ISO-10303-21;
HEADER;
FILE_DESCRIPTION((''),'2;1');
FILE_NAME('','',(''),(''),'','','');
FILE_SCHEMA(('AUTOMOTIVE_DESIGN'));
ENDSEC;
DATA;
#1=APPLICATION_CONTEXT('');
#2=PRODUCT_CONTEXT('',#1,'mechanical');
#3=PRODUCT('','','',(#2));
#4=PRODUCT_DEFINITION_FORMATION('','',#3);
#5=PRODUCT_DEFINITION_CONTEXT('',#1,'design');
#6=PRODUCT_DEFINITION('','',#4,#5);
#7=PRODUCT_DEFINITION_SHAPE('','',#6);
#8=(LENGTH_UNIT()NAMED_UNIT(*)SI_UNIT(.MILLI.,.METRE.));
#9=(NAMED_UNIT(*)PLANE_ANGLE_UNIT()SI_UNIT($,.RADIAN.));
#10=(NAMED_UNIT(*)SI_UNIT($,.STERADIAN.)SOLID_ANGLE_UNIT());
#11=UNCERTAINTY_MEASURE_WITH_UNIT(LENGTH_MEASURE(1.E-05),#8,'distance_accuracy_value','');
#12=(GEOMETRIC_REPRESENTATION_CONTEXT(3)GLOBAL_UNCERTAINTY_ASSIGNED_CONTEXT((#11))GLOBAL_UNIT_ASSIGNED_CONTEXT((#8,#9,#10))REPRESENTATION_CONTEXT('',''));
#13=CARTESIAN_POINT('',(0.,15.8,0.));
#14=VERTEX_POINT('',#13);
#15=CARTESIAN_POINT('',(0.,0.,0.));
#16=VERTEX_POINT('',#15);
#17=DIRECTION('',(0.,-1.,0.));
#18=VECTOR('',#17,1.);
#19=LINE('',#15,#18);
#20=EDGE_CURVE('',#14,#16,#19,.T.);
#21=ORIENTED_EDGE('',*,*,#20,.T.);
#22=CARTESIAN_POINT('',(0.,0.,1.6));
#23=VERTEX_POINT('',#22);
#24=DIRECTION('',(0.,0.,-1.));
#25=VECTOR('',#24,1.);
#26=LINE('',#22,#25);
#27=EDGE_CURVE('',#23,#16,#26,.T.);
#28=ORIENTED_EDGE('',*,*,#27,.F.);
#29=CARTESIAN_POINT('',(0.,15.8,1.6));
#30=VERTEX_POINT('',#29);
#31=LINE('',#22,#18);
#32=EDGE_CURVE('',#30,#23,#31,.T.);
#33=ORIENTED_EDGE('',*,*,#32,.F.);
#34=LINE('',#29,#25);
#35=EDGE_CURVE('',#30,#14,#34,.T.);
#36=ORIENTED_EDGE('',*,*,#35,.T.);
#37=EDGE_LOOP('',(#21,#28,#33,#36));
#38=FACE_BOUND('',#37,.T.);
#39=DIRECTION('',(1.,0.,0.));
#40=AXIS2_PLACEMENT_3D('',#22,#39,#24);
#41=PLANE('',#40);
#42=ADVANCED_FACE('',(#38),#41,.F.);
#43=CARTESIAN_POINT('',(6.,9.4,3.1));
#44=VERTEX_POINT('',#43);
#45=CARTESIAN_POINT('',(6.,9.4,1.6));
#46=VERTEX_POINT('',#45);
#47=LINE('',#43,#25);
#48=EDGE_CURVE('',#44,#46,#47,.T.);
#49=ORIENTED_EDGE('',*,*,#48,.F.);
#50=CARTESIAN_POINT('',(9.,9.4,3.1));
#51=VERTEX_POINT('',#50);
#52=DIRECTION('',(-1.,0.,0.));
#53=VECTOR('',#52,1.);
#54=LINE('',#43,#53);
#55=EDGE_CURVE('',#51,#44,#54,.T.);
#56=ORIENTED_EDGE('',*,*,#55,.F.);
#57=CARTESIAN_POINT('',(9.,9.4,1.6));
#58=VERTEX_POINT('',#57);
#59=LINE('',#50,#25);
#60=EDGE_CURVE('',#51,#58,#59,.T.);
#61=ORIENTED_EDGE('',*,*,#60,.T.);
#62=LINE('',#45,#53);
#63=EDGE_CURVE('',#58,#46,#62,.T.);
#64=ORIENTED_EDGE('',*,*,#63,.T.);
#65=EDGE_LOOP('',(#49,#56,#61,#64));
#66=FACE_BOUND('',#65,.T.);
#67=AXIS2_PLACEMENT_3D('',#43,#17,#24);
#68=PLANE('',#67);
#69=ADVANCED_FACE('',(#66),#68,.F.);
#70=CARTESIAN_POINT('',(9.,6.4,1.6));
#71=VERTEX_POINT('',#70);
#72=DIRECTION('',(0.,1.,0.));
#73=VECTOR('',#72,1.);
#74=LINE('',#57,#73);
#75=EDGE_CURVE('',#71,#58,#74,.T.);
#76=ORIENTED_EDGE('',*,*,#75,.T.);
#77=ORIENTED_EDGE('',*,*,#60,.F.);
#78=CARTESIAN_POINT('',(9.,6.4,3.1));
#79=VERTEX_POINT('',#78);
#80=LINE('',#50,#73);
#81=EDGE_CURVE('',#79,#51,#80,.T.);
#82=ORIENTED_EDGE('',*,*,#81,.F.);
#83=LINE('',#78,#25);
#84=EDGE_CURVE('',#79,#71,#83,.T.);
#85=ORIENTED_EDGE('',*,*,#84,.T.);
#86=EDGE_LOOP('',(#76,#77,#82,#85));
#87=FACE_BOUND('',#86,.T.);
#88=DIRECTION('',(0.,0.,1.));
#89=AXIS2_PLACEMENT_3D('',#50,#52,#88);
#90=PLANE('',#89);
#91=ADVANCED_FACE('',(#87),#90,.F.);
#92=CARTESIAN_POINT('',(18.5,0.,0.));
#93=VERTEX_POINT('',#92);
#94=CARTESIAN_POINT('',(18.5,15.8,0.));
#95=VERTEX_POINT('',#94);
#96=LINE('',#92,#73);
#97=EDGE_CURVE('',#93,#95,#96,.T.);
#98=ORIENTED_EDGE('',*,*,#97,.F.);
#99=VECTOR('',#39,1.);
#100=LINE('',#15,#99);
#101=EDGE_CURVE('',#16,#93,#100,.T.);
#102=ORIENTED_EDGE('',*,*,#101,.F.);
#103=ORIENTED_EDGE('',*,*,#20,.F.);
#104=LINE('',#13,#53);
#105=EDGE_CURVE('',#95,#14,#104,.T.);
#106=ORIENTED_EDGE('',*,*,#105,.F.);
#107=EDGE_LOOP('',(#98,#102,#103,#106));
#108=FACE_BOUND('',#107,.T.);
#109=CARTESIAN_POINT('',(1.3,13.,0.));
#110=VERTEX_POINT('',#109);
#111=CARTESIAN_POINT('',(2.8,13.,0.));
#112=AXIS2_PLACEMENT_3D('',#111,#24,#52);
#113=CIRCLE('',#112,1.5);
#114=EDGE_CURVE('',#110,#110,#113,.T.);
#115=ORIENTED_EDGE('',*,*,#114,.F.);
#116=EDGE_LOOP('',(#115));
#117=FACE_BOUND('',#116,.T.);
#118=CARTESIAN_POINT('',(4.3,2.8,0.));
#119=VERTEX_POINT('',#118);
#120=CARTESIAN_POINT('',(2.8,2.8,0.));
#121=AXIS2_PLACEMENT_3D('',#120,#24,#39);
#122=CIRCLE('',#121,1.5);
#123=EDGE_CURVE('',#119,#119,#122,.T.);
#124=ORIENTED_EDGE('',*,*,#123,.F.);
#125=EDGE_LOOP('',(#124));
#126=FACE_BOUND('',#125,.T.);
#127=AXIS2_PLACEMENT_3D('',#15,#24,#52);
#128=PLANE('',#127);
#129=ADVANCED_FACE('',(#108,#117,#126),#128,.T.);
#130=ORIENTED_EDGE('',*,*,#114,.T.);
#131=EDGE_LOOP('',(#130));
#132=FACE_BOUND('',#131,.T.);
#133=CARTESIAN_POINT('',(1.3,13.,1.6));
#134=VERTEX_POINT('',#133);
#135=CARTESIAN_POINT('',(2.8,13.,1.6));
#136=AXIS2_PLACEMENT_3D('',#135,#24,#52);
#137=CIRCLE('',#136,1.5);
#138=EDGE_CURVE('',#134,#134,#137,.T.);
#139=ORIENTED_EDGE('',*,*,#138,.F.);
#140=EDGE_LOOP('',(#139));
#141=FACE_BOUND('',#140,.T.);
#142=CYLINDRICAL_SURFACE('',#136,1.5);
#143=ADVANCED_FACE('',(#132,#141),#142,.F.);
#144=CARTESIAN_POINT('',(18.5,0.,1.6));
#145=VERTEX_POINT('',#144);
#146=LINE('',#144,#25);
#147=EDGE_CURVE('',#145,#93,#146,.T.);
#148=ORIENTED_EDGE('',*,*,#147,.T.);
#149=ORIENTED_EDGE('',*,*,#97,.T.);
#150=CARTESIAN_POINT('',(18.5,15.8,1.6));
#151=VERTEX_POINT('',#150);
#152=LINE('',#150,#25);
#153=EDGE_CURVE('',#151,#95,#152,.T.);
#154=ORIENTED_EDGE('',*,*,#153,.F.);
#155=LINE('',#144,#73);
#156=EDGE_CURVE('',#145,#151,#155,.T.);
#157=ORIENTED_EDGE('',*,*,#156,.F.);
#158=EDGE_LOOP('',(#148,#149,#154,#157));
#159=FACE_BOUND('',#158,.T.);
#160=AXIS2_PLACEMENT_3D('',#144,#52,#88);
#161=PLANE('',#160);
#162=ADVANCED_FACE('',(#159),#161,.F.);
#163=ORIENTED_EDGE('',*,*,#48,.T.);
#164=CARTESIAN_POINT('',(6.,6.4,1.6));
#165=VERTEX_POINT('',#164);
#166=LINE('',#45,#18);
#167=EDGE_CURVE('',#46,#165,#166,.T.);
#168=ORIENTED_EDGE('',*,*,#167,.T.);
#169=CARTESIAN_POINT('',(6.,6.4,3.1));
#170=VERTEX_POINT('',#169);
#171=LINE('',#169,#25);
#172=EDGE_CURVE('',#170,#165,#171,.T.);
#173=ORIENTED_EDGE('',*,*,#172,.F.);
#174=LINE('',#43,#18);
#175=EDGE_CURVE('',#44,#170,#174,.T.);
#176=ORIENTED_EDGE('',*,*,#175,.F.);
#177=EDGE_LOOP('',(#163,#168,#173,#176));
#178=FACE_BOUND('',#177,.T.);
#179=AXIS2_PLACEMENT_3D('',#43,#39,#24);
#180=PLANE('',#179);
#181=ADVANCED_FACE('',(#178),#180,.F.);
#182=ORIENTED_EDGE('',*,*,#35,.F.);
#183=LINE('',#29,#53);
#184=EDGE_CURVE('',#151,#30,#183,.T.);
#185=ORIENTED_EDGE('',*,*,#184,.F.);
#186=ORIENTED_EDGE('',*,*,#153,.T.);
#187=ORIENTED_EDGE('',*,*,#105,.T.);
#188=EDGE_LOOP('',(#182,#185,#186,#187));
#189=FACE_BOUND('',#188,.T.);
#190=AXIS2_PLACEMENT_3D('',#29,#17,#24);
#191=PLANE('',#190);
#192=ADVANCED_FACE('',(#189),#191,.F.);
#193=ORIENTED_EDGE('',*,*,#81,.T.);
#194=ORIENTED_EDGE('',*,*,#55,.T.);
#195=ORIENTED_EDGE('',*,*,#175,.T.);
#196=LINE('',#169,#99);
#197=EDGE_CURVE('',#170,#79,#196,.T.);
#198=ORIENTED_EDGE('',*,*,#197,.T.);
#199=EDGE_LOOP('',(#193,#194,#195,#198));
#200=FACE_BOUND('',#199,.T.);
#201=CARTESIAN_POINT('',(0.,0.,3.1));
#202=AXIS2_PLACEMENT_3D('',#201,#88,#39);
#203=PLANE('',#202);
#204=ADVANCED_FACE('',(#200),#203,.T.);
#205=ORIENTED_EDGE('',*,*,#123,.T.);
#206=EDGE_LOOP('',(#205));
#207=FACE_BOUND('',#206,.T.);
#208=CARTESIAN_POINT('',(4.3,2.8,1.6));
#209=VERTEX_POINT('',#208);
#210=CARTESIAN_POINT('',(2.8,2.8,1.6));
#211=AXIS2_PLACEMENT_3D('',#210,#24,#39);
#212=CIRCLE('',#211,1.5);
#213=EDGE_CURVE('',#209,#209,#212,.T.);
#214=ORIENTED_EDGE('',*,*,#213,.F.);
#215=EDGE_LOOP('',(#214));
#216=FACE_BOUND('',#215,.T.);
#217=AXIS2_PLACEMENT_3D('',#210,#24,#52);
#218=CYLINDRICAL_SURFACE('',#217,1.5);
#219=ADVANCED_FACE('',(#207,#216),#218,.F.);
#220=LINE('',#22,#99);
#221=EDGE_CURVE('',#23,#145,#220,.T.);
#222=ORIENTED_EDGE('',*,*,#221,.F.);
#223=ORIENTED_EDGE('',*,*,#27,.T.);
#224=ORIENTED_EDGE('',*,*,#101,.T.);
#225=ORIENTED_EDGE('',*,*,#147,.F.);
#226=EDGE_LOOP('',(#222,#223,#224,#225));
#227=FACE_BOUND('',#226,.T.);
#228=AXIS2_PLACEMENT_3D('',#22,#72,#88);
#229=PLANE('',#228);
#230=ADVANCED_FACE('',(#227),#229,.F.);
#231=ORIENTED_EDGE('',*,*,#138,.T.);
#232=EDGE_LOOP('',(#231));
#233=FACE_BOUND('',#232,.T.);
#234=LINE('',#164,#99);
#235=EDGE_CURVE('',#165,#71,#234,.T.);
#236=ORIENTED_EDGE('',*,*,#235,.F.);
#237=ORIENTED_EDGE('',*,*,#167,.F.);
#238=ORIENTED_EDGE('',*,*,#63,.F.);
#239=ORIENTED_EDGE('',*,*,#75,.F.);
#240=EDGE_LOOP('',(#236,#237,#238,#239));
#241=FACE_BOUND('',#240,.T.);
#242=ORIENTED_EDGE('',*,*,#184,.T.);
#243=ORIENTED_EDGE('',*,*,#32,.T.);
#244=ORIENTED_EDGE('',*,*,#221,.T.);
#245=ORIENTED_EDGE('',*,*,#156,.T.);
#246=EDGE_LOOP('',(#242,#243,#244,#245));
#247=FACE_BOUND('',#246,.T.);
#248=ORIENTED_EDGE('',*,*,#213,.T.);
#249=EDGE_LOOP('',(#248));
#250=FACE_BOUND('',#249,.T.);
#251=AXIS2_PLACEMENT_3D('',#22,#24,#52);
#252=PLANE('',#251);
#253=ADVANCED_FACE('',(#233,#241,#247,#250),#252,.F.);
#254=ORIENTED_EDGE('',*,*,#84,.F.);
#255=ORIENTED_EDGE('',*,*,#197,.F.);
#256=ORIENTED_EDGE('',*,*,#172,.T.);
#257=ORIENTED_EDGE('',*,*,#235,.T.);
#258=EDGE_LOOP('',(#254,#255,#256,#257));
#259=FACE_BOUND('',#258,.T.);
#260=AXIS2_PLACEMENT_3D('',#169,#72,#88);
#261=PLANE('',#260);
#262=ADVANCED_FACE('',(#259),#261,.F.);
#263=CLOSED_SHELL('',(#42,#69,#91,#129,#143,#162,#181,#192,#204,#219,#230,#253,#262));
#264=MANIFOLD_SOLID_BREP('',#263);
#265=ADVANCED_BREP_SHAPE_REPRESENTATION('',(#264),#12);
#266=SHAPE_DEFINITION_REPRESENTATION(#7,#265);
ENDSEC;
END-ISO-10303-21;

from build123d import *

# Parameters (mm, degrees)
SZKIC1_W                    = 18.5
SZKIC1_H                    = 15.8
DODANIE_WYCI_GNI_CIE1_DEPTH = 1.6
SZKIC2_R                    = 1.5
WYTNIJ_WYCI_GNI_CIE1_DEPTH  = 2.6
SZKIC3_W                    = 3
SZKIC3_H                    = 3
DODANIE_WYCI_GNI_CIE2_DEPTH = 1.5


with BuildPart() as part:
    # Szkic1 → Dodanie-wyciągnięcie1 (new body)
    with BuildSketch(Plane.XY):
        with Locations((9.25, 7.9)):
            Rectangle(SZKIC1_W, SZKIC1_H)
    extrude(amount=DODANIE_WYCI_GNI_CIE1_DEPTH)

    # Szkic2 → Wytnij-wyciągnięcie1 (cut, through all)
    with BuildSketch(Plane(origin=(0, 0, 0), x_dir=(-1, 0, 0), z_dir=(0, 0, -1))):
        with Locations((-2.8, 13)):
            Circle(SZKIC2_R)
        with Locations((-2.8, 2.8)):
            Circle(SZKIC2_R)
    extrude(amount=-WYTNIJ_WYCI_GNI_CIE1_DEPTH, mode=Mode.SUBTRACT)

    # Szkic3 → Dodanie-wyciągnięcie2 (add)
    with BuildSketch(Plane.XY.offset(1.6)):
        with Locations((7.5, 7.9)):
            Rectangle(SZKIC3_W, SZKIC3_H)
    extrude(amount=DODANIE_WYCI_GNI_CIE2_DEPTH)


solid = part.part
